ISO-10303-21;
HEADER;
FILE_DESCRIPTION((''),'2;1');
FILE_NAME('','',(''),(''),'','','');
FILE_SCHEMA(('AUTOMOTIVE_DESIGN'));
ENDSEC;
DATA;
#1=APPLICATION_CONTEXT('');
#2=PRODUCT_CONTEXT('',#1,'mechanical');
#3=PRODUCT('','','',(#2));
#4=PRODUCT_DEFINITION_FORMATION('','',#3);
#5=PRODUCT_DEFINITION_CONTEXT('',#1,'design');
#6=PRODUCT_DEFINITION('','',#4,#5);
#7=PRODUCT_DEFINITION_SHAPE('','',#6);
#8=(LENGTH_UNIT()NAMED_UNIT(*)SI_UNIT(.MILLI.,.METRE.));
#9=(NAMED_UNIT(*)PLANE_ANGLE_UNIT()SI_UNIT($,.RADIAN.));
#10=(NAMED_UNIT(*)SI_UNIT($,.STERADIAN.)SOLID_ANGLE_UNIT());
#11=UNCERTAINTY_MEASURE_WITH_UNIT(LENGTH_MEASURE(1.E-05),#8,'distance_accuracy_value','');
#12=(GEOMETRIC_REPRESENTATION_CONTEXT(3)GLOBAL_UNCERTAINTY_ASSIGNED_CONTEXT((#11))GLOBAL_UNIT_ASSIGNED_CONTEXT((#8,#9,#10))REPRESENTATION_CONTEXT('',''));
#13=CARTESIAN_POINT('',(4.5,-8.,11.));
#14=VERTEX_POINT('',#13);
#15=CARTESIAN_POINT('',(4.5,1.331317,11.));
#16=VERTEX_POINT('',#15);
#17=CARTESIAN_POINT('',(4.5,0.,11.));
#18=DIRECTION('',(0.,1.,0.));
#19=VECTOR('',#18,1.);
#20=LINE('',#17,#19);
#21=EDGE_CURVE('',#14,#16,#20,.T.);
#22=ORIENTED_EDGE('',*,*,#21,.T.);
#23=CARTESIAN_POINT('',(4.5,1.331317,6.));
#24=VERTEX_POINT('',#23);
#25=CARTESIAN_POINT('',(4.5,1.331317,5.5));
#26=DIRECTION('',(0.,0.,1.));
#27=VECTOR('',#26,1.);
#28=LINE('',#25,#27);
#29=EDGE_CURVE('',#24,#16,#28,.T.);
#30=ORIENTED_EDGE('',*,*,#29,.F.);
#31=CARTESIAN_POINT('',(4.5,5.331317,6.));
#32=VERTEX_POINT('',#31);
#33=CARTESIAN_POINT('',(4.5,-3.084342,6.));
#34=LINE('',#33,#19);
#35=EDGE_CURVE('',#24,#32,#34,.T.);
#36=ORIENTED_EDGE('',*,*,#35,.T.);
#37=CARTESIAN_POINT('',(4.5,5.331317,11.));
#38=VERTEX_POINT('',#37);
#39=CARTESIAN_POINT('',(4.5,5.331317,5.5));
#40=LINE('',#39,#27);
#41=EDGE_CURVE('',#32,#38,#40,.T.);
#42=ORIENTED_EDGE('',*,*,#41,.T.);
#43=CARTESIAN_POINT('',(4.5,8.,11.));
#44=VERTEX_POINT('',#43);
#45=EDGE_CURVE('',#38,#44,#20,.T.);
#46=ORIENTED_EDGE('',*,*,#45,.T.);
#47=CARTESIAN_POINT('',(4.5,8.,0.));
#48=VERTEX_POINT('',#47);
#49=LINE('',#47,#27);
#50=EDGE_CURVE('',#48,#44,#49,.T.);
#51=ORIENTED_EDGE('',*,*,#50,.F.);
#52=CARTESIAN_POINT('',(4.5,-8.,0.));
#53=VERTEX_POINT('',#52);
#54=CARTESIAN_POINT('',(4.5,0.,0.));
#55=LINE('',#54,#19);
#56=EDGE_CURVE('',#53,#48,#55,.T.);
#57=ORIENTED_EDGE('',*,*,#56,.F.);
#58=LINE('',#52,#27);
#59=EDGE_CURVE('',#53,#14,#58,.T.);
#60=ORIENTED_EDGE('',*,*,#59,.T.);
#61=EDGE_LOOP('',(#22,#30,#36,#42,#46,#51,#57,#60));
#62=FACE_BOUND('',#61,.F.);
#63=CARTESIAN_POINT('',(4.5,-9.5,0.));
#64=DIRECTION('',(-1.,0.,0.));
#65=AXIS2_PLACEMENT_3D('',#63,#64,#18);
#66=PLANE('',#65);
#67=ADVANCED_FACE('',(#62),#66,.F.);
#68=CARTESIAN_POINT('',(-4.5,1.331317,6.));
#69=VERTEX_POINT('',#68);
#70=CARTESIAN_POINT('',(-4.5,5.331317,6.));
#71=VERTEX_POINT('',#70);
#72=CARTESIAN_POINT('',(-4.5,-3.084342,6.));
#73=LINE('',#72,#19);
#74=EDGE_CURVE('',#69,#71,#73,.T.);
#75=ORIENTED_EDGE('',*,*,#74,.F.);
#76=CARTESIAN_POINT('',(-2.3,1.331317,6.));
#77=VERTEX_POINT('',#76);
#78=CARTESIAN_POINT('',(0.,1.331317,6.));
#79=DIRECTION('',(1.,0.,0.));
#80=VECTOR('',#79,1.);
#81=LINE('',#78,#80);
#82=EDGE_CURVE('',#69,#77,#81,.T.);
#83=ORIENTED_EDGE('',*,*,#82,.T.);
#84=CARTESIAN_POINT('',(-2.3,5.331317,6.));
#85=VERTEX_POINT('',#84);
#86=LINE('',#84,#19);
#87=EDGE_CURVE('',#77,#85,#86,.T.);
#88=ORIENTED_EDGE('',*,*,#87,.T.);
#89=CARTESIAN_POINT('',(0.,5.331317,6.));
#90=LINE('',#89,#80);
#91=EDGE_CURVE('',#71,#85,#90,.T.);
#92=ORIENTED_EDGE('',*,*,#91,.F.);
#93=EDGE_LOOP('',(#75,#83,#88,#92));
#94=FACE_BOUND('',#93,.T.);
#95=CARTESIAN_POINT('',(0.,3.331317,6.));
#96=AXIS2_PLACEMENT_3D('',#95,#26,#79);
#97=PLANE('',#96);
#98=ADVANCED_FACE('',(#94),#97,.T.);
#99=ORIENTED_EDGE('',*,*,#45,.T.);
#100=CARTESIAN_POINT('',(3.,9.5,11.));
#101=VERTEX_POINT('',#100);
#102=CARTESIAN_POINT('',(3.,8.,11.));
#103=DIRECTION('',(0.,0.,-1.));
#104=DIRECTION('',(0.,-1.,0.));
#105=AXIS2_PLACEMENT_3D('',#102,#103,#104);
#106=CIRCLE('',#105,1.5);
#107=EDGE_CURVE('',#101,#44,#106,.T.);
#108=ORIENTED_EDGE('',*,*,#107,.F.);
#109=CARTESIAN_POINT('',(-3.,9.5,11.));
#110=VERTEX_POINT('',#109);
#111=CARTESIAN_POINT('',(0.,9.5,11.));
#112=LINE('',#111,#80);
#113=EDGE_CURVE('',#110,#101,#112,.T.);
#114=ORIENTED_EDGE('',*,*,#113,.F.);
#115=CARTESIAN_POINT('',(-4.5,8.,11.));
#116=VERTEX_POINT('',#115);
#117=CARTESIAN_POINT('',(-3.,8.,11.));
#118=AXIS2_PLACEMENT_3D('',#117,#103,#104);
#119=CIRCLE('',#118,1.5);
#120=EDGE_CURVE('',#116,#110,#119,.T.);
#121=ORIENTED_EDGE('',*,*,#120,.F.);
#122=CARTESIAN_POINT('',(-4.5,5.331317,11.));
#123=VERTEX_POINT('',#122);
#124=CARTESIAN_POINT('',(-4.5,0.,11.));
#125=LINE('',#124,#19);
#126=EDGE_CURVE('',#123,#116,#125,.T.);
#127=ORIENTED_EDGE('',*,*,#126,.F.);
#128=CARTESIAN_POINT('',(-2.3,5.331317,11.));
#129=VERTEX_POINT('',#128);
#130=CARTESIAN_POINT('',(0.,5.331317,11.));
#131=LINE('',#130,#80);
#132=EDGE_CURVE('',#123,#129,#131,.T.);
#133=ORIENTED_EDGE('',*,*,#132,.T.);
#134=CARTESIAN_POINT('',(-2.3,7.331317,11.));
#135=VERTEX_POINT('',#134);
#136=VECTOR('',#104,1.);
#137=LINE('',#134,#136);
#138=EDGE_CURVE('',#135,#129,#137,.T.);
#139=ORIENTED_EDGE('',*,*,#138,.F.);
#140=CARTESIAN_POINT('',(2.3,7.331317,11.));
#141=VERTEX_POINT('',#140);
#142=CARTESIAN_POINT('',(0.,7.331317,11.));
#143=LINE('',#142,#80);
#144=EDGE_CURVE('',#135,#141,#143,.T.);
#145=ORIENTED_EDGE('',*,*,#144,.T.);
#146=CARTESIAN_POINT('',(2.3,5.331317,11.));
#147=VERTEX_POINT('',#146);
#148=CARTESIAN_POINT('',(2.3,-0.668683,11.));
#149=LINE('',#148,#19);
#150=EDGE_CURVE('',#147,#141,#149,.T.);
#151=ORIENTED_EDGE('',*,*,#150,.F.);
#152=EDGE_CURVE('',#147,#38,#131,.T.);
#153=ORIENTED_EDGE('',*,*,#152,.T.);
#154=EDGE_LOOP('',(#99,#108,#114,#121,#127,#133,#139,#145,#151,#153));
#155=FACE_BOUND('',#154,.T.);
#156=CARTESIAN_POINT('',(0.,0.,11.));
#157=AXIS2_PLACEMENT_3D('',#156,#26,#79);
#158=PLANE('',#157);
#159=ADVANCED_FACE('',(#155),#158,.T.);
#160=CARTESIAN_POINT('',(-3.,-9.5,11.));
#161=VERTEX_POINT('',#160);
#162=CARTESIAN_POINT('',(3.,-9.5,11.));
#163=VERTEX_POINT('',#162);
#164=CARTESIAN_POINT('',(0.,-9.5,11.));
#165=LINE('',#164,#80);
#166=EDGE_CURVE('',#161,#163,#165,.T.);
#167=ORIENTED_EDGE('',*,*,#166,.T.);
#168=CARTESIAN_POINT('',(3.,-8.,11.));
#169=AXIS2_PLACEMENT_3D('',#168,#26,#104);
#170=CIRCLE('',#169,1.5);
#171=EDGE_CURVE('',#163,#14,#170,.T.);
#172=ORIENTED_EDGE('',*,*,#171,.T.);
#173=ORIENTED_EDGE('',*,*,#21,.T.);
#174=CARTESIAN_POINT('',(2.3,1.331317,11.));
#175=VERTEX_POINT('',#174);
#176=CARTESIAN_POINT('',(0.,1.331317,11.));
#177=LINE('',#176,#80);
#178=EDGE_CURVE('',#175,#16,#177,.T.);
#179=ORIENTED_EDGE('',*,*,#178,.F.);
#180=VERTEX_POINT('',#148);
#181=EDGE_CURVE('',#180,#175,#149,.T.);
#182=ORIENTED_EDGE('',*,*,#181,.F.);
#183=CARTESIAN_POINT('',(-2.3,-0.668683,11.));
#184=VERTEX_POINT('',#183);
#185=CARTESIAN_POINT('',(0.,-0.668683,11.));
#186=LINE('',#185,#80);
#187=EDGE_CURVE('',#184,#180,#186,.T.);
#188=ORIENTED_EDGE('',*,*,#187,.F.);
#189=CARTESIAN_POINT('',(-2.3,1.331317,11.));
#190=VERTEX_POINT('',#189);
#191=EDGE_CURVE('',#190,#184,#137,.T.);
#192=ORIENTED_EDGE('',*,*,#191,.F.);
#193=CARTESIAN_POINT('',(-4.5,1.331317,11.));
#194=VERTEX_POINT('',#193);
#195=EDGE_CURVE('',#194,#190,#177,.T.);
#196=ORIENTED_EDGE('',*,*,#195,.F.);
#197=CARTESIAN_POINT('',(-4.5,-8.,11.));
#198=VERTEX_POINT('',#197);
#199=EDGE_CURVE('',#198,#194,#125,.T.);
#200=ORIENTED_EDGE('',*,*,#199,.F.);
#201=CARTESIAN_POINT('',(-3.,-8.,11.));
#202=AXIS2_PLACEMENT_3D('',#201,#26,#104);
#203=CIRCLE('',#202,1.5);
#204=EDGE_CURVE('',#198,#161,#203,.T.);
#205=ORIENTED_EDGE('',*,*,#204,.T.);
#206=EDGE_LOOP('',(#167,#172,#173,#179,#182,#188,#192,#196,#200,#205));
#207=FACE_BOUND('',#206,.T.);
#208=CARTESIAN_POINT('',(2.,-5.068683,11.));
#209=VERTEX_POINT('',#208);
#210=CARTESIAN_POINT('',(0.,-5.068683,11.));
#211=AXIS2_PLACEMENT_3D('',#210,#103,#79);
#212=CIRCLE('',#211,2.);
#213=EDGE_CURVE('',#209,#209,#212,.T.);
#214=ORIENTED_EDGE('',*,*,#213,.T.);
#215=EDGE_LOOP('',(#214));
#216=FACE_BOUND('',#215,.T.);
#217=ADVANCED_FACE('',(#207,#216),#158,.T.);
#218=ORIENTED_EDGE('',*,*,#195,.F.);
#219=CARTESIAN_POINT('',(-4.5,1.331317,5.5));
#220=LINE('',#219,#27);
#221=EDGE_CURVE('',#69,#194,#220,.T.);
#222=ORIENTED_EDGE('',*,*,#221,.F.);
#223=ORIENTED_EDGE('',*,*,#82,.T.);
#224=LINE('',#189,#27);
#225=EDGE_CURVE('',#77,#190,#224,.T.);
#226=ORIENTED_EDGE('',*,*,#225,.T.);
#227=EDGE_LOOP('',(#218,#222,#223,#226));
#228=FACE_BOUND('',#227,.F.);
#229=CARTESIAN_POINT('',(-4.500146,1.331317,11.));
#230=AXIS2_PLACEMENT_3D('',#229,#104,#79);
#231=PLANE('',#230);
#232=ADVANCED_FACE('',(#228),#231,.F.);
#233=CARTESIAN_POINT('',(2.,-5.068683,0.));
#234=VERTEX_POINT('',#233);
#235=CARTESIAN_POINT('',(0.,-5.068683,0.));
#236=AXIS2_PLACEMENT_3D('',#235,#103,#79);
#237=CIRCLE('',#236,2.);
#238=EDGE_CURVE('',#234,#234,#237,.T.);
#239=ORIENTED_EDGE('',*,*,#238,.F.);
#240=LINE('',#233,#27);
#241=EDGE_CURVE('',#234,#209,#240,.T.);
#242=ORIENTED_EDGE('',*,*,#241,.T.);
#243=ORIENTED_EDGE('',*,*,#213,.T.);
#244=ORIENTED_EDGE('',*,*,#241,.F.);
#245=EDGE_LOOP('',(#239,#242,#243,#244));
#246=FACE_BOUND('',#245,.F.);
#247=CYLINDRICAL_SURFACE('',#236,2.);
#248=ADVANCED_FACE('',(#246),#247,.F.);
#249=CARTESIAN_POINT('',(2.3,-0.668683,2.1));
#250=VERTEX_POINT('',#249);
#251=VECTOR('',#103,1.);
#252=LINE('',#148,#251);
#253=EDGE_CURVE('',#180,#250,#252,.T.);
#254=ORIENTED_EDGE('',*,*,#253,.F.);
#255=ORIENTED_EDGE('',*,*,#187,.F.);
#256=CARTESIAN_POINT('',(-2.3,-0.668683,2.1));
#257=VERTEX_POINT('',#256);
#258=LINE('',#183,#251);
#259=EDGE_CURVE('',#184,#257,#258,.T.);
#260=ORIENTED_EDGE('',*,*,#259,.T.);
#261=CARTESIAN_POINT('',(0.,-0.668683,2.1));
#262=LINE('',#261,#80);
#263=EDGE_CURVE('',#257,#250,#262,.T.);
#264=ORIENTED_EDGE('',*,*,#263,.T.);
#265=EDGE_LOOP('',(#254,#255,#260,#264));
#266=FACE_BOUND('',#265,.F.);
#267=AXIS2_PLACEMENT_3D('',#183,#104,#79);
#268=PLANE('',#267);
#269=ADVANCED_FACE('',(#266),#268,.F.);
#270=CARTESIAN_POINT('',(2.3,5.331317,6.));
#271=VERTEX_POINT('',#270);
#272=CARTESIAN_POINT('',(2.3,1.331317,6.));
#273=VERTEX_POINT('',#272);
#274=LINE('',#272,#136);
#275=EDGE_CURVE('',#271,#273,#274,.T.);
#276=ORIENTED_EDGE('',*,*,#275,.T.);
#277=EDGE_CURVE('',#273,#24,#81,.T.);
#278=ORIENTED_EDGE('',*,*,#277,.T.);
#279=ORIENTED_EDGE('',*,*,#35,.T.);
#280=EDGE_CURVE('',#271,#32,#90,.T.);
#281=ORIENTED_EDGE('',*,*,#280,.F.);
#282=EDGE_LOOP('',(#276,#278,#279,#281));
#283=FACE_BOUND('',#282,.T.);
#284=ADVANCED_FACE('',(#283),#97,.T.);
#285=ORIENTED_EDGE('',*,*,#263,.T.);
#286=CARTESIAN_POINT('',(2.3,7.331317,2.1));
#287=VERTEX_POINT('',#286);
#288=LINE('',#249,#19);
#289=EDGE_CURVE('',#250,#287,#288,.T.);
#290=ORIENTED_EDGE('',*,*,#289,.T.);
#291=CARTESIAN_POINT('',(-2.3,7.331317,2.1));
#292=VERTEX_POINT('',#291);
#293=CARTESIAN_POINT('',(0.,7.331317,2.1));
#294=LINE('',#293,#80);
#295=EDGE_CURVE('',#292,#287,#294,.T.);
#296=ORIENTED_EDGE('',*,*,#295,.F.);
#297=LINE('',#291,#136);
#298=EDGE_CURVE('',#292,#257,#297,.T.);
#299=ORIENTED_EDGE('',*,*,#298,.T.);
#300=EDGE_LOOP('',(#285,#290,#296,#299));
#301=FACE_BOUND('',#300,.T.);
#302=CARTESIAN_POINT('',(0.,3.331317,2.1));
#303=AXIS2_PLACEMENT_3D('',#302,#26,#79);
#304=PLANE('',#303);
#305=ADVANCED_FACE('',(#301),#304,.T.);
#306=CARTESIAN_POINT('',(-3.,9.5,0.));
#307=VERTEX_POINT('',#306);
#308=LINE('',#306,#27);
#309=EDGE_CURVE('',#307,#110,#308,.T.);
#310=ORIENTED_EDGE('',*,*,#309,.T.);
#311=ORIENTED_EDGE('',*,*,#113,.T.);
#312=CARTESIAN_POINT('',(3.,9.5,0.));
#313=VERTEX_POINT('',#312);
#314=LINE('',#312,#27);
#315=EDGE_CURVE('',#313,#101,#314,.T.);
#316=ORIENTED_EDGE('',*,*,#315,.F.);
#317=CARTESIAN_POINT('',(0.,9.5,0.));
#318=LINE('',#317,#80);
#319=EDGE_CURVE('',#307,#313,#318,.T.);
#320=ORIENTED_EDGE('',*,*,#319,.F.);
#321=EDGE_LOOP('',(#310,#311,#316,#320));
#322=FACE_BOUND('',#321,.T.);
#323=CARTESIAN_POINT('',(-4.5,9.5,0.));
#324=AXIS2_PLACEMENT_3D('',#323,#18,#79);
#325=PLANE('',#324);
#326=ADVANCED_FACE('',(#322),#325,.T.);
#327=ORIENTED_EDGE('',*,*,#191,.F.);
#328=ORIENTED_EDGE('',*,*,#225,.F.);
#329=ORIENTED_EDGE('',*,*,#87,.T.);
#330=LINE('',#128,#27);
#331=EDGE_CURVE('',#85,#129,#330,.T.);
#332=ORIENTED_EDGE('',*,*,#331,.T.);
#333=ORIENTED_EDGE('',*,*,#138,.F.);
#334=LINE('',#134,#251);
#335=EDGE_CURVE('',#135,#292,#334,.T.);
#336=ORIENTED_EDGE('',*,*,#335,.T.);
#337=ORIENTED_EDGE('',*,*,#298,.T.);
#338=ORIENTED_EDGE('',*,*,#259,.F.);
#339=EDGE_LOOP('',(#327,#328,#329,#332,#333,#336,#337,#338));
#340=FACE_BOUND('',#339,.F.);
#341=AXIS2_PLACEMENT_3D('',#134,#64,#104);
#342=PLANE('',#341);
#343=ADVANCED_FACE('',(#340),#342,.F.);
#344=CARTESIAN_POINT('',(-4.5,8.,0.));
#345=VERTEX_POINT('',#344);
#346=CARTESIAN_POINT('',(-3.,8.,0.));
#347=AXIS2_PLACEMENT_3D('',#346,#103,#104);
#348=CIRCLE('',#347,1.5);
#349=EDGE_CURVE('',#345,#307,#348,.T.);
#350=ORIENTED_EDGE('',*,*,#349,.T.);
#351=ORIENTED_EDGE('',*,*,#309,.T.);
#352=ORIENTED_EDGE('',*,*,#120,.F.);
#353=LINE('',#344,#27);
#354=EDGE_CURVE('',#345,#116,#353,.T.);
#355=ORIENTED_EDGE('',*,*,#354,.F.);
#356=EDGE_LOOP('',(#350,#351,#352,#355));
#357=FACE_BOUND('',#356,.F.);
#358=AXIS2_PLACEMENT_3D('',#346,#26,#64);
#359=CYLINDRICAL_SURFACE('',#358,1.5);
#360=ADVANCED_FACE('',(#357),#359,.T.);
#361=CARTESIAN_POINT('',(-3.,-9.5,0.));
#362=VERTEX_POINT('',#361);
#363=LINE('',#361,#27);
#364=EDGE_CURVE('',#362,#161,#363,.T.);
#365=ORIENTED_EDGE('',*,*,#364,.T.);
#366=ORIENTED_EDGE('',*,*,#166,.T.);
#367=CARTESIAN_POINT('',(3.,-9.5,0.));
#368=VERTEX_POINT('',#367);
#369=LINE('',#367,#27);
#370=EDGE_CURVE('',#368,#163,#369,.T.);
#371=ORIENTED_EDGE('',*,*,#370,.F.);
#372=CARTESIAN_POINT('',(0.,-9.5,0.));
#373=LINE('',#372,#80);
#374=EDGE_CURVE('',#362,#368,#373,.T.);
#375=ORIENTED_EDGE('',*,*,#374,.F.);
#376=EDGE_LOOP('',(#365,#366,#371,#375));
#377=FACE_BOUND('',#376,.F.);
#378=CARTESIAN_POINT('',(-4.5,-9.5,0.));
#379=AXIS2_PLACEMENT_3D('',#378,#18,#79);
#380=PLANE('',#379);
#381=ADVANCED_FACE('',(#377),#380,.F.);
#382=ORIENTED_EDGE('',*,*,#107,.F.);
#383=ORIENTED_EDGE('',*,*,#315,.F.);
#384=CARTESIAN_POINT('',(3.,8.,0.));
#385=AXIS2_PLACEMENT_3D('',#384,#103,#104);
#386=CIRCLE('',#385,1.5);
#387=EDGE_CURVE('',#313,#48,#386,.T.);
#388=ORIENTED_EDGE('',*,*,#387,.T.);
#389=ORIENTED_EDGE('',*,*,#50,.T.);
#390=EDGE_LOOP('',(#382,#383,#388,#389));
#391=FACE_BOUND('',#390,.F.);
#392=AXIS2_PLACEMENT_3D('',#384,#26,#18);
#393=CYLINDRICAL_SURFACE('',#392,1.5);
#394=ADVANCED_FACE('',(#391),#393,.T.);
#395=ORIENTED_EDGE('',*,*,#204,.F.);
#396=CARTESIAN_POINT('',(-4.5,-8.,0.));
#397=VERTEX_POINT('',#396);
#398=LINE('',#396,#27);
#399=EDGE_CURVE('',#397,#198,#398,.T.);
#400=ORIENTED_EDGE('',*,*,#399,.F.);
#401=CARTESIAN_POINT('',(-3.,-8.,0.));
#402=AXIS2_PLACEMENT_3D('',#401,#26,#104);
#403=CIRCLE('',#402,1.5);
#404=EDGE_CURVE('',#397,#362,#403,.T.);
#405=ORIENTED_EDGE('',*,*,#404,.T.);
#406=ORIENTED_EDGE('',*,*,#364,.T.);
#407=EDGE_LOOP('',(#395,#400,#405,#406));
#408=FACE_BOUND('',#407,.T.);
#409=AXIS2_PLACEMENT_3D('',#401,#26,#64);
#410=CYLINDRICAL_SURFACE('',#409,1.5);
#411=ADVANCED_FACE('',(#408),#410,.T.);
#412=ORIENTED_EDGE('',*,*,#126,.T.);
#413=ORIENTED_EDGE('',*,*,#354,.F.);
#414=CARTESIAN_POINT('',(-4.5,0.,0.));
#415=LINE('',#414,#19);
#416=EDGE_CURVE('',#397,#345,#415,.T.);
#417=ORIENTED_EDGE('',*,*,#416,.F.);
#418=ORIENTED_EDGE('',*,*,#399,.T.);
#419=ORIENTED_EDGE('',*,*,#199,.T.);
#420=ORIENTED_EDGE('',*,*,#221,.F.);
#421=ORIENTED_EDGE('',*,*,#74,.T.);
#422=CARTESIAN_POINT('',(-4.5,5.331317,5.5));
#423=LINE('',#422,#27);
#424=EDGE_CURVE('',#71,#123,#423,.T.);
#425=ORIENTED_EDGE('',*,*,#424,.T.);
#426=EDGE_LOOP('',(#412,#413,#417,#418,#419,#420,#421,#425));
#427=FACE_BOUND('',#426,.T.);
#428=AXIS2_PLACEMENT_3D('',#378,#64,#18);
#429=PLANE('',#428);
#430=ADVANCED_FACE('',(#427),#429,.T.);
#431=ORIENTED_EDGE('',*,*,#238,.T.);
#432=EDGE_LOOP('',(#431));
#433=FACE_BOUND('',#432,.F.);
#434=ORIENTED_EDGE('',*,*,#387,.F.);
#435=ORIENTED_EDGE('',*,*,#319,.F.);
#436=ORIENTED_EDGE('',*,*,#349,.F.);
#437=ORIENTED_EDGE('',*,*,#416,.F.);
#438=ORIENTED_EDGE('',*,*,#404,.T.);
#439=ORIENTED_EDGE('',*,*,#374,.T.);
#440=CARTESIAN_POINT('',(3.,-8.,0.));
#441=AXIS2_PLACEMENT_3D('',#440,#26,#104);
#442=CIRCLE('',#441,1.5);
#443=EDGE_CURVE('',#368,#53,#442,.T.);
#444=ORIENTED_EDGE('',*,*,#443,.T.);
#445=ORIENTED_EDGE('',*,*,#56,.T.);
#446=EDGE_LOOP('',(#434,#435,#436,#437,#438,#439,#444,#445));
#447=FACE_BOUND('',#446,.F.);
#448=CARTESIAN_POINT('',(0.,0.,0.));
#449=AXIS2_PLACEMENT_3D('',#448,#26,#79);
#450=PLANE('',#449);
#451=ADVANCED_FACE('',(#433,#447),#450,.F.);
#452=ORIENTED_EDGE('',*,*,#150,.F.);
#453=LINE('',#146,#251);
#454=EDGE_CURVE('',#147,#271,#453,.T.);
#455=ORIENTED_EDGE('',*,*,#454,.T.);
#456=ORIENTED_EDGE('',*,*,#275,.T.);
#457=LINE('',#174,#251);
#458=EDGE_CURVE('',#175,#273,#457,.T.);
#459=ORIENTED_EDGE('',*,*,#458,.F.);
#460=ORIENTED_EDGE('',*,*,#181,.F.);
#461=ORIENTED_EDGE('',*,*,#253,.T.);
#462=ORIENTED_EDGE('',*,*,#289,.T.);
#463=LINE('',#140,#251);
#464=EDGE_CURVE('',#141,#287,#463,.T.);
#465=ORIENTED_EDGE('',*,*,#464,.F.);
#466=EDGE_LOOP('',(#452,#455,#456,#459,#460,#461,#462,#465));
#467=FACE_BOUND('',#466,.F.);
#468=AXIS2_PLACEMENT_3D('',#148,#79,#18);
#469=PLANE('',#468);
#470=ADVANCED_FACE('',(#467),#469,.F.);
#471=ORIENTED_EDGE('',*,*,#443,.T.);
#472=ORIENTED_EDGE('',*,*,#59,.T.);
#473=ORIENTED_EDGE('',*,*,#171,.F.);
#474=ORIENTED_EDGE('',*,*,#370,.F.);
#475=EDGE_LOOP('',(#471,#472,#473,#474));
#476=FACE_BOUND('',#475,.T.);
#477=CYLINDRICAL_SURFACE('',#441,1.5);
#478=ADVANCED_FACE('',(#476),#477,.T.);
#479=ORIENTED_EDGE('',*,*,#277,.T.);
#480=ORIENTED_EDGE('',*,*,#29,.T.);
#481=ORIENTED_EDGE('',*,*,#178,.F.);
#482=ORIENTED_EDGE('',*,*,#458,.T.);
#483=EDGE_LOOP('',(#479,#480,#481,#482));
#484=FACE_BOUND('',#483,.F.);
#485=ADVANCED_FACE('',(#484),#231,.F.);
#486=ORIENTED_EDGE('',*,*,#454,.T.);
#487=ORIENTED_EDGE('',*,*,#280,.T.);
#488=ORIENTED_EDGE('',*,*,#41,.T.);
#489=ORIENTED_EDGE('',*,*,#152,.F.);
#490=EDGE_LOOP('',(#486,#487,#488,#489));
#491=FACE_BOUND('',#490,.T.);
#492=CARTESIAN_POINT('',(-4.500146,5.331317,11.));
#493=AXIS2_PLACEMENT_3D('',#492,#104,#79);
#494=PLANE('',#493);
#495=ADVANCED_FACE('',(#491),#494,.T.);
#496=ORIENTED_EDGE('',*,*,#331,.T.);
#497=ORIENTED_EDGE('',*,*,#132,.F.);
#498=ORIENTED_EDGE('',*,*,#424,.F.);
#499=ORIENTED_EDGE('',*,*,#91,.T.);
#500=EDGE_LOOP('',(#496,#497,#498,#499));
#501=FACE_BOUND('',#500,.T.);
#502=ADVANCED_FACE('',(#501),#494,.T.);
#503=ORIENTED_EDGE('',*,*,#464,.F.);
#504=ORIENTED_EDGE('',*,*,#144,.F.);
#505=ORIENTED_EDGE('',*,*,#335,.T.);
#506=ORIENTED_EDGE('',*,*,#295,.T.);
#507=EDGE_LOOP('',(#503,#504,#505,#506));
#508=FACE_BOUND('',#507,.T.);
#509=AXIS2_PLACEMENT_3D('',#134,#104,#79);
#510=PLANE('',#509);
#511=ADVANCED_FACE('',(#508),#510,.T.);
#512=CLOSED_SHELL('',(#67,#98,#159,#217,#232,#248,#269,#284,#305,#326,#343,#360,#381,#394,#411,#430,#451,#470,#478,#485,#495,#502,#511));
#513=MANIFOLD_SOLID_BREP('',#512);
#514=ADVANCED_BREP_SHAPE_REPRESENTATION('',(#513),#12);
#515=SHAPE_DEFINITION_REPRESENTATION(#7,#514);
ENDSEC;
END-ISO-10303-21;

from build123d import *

# Parameters (mm, degrees)
F0_W     = 9
F0_H     = 19
F1_DEPTH = 11
F3_R     = 2
F4_DEPTH = 11
F6_W     = 4.6
F6_H     = 3.6
F6_H_2   = 2.2
F7_DEPTH = 8.9
F8_W     = 9.0002920479
F8_H     = 4
F9_DEPTH = 5
F10_R    = 1.5


with BuildPart() as f1:
    # F0 (on Top) → F1 (new body)
    with BuildSketch(Plane.XY):
        Rectangle(F0_W, F0_H)
    extrude(amount=F1_DEPTH)

    # F3 (on offset) → F4 (cut)
    with BuildSketch(Plane(origin=(0, 0, 0), x_dir=(1, 0, 0), z_dir=(0, 0, -1))):
        with Locations((0, 5.0686830655)):
            Circle(F3_R)
    extrude(amount=-F4_DEPTH, mode=Mode.SUBTRACT)

    # F6 (on offset) → F7 (cut)
    with BuildSketch(Plane.XY.offset(11)):
        with Locations((0, 3.3313169345)):
            Rectangle(F6_W, F6_H)
        with Locations((0, 6.2313169345)):
            Rectangle(F6_W, F6_H_2)
        with Locations((0, 0.4313169345)):
            Rectangle(F6_W, F6_H_2)
    extrude(amount=-F7_DEPTH, mode=Mode.SUBTRACT)

    # F8 (on offset) → F9 (cut)
    with BuildSketch(Plane.XY.offset(11)):
        with Locations((0, 3.3313169345)):
            Rectangle(F8_W, F8_H)
    extrude(amount=-F9_DEPTH, mode=Mode.SUBTRACT)

    # F10
    f10_edges = [f1.edges().sort_by_distance(p)[0] for p in [
        (4.5, 9.5, 5.5),
        (-4.5, 9.5, 5.5),
        (4.5, -9.5, 5.5),
        (-4.5, -9.5, 5.5),
    ]]
    fillet(f10_edges, radius=F10_R)


solid = f1.part
